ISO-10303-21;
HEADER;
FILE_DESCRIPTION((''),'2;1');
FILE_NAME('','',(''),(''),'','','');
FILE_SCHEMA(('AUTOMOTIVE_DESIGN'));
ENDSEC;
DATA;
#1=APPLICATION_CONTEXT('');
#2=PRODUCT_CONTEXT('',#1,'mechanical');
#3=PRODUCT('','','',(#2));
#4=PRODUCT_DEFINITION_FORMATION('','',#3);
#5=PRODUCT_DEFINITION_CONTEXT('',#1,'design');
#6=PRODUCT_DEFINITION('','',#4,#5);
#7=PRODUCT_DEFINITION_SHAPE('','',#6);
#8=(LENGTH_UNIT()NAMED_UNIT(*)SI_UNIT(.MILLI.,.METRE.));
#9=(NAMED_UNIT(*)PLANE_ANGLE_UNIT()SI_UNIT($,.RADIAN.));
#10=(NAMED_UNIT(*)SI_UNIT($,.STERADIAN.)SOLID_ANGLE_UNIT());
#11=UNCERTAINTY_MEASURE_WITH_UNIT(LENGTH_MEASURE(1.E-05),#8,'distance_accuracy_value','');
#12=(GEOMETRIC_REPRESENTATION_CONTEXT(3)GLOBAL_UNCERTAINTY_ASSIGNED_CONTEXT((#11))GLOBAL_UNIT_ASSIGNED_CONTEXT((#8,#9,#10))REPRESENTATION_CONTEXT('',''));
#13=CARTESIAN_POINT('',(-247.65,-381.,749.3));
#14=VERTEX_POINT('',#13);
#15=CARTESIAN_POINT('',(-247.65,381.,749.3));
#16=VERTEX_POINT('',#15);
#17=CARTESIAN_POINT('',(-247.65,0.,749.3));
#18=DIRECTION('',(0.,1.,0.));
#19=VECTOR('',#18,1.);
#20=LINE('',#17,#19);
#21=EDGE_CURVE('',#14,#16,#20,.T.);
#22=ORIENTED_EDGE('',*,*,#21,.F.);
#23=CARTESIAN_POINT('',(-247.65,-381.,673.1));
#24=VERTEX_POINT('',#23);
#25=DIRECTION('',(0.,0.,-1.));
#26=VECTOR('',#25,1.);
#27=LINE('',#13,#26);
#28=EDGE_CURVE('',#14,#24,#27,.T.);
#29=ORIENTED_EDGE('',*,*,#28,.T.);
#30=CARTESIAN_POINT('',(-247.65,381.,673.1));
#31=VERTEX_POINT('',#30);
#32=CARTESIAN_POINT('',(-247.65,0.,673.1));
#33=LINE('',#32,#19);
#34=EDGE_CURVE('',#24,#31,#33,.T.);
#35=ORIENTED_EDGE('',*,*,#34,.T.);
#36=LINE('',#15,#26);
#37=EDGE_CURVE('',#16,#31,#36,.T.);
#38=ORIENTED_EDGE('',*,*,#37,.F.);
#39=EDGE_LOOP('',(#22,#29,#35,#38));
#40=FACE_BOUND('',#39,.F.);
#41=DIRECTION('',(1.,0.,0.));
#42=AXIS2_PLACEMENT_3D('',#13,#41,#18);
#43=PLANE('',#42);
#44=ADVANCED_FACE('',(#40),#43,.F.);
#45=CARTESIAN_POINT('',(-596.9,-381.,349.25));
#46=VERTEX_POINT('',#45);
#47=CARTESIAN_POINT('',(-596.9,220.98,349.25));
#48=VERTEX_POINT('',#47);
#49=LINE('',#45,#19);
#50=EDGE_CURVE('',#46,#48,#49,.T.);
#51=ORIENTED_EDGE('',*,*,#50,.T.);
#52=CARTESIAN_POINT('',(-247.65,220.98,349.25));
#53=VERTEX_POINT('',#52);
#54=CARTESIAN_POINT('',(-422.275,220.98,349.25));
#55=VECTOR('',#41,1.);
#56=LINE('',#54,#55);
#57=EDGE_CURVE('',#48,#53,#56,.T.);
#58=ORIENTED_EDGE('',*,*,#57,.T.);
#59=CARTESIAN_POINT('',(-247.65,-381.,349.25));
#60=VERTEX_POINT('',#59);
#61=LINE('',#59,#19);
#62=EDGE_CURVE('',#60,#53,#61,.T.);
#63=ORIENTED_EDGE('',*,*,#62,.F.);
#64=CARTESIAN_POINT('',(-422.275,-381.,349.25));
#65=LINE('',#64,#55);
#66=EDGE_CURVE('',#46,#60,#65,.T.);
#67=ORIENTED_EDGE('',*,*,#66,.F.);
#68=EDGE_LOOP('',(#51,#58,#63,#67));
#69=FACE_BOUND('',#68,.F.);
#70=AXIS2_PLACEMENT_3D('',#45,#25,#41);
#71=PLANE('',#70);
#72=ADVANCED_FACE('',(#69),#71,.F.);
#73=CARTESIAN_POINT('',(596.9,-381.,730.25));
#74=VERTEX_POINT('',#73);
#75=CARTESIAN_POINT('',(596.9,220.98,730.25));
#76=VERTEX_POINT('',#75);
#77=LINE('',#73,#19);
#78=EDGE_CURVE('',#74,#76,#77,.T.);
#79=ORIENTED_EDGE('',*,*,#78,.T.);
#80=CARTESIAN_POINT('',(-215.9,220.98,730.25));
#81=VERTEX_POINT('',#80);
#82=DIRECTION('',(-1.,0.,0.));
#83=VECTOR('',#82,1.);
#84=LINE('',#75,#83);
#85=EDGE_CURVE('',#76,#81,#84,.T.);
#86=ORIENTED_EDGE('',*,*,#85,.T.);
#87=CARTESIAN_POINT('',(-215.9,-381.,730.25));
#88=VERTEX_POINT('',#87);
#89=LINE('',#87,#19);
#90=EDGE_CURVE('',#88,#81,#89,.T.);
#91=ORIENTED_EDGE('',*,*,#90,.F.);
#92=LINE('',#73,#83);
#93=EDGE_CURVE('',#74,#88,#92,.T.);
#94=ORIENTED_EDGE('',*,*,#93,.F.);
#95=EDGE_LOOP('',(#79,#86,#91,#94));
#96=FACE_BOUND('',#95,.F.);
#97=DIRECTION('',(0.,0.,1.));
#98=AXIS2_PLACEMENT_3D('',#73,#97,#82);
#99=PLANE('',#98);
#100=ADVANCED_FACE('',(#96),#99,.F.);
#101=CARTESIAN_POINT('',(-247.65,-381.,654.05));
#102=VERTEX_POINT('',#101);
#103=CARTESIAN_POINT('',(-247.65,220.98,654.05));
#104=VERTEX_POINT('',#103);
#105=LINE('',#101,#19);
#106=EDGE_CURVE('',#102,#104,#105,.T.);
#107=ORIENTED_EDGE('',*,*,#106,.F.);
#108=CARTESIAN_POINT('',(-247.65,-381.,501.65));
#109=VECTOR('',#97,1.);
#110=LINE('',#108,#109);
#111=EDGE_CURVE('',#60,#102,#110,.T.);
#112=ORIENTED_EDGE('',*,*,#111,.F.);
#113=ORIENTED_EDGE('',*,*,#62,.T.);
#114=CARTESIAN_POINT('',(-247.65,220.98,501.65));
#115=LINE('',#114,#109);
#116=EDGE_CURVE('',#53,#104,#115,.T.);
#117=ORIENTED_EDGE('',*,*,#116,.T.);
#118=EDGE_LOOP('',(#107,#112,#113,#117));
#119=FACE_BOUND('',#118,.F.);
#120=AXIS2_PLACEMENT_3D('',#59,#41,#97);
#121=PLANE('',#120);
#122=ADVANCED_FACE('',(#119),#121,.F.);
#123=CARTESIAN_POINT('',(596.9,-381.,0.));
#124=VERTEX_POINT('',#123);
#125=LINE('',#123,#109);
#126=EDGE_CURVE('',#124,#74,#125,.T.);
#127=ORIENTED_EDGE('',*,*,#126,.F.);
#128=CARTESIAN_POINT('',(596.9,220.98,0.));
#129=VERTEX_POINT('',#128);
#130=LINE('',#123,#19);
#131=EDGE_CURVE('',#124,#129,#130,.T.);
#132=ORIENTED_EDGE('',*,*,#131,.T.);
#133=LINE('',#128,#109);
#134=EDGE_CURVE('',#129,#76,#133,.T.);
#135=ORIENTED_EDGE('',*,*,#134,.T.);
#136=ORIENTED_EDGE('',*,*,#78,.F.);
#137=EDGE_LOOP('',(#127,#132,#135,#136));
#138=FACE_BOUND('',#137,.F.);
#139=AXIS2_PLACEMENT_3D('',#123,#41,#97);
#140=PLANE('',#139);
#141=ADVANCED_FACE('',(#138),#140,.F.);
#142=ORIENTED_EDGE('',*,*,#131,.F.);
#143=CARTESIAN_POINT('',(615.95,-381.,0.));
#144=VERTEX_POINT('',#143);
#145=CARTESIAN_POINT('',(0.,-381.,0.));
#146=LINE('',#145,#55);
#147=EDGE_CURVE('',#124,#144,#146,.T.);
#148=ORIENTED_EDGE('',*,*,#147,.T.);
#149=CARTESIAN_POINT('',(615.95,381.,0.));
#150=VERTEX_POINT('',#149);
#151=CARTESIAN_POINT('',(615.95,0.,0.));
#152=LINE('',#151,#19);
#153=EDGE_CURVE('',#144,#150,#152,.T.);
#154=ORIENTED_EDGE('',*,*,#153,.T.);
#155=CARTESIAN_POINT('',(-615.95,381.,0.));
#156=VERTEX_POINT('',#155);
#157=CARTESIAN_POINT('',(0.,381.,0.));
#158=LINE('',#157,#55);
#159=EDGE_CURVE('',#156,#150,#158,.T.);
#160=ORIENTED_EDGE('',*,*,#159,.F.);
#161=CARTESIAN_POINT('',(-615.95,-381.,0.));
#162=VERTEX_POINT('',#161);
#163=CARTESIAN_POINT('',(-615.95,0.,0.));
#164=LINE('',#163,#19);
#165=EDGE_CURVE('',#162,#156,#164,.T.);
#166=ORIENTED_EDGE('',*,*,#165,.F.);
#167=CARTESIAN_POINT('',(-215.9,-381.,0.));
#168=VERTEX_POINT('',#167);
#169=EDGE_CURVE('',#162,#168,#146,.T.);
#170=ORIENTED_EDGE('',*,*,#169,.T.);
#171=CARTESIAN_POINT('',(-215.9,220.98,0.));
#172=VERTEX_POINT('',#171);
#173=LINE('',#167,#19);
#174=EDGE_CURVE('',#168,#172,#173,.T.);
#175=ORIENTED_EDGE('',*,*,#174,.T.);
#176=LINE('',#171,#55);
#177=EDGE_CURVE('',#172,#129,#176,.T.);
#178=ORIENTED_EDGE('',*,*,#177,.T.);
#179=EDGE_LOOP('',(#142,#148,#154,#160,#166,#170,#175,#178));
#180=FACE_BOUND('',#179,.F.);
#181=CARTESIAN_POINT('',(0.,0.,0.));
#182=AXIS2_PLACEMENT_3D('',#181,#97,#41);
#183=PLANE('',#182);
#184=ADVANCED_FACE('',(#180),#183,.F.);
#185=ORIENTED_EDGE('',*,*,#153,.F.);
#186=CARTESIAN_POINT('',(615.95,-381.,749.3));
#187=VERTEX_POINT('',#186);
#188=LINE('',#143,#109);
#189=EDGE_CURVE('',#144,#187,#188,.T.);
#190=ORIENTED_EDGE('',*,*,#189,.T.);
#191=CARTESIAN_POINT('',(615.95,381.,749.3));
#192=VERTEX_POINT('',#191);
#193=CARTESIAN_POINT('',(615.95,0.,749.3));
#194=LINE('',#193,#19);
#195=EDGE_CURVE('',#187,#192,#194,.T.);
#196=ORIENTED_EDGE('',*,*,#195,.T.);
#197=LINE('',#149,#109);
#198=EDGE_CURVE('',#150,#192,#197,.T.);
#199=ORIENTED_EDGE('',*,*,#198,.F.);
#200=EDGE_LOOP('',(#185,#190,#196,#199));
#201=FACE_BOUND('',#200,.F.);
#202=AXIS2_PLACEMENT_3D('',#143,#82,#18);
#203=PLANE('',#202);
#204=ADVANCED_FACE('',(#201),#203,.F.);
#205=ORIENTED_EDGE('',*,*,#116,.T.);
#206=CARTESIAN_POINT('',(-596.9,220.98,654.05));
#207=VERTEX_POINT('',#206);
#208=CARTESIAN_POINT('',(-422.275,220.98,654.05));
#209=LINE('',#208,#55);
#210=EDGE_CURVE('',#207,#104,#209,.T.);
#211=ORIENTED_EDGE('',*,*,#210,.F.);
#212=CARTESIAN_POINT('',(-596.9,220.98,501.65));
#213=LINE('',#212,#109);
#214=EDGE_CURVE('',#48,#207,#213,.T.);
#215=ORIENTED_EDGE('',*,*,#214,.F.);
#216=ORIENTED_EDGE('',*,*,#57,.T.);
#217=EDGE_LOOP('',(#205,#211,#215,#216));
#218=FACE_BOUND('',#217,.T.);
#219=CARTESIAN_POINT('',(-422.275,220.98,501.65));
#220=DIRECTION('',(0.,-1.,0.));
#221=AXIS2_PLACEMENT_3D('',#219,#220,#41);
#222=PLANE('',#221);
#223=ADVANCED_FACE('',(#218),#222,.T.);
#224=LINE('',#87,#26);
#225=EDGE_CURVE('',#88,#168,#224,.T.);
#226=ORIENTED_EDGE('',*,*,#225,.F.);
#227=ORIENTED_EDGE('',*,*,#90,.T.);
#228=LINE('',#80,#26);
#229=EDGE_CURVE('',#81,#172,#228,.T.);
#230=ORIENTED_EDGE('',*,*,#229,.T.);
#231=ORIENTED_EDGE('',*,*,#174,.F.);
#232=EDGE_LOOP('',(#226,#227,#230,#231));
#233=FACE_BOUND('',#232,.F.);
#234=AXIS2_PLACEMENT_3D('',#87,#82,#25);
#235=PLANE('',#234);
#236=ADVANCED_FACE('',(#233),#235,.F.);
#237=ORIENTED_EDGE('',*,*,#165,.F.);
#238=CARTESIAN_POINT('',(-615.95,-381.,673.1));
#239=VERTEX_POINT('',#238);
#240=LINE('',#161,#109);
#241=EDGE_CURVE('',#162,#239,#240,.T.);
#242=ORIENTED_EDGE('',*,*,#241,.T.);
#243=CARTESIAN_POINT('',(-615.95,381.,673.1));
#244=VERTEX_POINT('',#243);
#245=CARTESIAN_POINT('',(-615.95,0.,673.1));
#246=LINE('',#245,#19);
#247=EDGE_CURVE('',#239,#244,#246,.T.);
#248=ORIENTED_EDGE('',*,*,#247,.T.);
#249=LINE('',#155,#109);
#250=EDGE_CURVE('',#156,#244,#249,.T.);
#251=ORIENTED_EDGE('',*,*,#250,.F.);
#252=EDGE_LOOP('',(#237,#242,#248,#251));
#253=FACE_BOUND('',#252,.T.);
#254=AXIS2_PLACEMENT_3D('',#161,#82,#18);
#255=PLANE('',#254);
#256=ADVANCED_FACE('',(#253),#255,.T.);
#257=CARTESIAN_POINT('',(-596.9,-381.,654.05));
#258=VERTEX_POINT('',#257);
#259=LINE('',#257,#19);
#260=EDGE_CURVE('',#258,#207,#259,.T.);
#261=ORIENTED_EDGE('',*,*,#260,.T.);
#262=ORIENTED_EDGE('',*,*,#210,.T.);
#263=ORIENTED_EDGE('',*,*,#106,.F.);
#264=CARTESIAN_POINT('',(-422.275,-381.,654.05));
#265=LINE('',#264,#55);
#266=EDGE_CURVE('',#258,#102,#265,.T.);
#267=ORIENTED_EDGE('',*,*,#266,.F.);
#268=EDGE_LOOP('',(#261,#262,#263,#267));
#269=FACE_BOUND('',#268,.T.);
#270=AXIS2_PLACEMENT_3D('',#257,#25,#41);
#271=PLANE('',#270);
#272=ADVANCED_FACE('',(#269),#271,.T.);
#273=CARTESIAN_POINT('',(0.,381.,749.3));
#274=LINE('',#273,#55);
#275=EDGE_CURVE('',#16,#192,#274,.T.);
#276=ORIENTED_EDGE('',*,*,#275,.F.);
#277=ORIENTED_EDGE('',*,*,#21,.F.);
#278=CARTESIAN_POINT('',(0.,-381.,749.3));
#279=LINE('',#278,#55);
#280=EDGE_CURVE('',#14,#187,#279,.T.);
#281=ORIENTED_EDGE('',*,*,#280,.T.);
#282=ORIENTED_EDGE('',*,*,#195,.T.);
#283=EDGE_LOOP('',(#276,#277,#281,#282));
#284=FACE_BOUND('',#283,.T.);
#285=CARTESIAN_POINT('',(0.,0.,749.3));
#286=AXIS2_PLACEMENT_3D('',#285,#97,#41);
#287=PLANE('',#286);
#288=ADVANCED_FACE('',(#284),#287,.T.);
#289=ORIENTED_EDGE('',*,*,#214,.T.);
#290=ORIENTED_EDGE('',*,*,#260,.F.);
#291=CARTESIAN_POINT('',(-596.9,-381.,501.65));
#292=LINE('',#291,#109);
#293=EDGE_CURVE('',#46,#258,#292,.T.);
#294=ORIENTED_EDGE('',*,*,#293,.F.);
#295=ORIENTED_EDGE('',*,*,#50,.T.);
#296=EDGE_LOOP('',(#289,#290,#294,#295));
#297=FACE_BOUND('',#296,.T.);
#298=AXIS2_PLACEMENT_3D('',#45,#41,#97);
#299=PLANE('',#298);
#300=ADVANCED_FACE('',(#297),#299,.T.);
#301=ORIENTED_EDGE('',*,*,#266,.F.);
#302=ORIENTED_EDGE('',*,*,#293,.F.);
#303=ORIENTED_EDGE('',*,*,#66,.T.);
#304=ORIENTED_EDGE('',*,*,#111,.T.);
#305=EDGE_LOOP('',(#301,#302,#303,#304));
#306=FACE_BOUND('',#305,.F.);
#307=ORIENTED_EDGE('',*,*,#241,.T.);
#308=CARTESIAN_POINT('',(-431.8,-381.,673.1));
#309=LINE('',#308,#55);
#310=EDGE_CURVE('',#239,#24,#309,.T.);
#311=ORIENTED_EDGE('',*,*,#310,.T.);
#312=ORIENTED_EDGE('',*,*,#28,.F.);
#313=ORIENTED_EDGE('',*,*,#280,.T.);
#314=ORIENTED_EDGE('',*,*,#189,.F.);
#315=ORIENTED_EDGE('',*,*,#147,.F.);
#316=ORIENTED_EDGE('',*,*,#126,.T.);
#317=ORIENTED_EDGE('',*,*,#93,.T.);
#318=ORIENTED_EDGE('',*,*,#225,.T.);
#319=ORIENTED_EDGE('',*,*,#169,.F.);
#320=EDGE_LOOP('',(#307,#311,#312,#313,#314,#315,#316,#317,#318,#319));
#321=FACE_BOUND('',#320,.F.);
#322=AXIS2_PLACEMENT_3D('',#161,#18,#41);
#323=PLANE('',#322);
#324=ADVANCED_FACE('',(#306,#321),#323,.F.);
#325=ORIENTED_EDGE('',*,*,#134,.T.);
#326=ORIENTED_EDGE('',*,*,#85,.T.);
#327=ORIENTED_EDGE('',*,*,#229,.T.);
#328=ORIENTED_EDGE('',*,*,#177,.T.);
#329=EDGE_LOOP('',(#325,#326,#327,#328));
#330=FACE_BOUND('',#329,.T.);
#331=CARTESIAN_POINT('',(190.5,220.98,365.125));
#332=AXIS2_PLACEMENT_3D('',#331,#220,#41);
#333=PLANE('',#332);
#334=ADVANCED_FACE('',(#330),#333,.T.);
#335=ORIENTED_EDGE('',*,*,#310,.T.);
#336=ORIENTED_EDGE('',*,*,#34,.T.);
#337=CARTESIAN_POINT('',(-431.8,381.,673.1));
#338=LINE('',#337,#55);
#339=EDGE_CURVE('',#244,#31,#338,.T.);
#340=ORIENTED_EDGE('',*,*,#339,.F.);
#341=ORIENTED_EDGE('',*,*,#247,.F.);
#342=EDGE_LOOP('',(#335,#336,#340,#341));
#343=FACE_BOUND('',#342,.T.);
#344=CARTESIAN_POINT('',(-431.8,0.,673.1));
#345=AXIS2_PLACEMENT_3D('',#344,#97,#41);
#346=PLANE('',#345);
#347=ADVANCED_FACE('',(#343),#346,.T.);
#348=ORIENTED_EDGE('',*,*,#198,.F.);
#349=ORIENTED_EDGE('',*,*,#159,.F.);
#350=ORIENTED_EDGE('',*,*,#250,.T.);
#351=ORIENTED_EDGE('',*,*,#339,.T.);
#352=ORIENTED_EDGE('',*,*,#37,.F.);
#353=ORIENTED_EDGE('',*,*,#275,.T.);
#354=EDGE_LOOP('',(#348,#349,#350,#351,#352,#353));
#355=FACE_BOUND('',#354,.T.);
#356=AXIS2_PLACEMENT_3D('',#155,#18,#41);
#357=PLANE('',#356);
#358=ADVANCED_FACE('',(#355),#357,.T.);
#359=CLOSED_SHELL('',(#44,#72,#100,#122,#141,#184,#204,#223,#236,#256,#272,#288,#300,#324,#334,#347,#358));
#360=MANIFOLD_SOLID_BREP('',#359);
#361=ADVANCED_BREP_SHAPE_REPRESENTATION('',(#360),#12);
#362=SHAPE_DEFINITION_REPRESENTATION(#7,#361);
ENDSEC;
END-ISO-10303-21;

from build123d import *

# Parameters (mm, degrees)
F0_W     = 1231.9
F0_H     = 762
F1_DEPTH = 749.3
F2_W     = 368.3
F2_H     = 762
F3_DEPTH = 76.2
F4_W     = 349.25
F4_H     = 304.8
F5_DEPTH = 601.98


with BuildPart() as f1:
    # F0 (on Top) → F1 (new body)
    with BuildSketch(Plane.XY):
        Rectangle(F0_W, F0_H)
    extrude(amount=F1_DEPTH)

    # F2 (on face) → F3 (cut)
    with BuildSketch(Plane.XY.offset(749.3)):
        with Locations((-431.8, 0)):
            Rectangle(F2_W, F2_H)
    extrude(amount=-F3_DEPTH, mode=Mode.SUBTRACT)

    # F4 (on face) → F5 (cut)
    with BuildSketch(Plane.XZ.offset(381)):
        Polygon((-215.9, 0), (596.9, 0), (596.9, 730.25), (-215.9, 730.25), (-215.9, 654.05), (-215.9, 349.25), (-215.9, 328.718752), align=None)
        with Locations((-422.275, 501.65)):
            Rectangle(F4_W, F4_H)
    extrude(amount=-F5_DEPTH, mode=Mode.SUBTRACT)


solid = f1.part
